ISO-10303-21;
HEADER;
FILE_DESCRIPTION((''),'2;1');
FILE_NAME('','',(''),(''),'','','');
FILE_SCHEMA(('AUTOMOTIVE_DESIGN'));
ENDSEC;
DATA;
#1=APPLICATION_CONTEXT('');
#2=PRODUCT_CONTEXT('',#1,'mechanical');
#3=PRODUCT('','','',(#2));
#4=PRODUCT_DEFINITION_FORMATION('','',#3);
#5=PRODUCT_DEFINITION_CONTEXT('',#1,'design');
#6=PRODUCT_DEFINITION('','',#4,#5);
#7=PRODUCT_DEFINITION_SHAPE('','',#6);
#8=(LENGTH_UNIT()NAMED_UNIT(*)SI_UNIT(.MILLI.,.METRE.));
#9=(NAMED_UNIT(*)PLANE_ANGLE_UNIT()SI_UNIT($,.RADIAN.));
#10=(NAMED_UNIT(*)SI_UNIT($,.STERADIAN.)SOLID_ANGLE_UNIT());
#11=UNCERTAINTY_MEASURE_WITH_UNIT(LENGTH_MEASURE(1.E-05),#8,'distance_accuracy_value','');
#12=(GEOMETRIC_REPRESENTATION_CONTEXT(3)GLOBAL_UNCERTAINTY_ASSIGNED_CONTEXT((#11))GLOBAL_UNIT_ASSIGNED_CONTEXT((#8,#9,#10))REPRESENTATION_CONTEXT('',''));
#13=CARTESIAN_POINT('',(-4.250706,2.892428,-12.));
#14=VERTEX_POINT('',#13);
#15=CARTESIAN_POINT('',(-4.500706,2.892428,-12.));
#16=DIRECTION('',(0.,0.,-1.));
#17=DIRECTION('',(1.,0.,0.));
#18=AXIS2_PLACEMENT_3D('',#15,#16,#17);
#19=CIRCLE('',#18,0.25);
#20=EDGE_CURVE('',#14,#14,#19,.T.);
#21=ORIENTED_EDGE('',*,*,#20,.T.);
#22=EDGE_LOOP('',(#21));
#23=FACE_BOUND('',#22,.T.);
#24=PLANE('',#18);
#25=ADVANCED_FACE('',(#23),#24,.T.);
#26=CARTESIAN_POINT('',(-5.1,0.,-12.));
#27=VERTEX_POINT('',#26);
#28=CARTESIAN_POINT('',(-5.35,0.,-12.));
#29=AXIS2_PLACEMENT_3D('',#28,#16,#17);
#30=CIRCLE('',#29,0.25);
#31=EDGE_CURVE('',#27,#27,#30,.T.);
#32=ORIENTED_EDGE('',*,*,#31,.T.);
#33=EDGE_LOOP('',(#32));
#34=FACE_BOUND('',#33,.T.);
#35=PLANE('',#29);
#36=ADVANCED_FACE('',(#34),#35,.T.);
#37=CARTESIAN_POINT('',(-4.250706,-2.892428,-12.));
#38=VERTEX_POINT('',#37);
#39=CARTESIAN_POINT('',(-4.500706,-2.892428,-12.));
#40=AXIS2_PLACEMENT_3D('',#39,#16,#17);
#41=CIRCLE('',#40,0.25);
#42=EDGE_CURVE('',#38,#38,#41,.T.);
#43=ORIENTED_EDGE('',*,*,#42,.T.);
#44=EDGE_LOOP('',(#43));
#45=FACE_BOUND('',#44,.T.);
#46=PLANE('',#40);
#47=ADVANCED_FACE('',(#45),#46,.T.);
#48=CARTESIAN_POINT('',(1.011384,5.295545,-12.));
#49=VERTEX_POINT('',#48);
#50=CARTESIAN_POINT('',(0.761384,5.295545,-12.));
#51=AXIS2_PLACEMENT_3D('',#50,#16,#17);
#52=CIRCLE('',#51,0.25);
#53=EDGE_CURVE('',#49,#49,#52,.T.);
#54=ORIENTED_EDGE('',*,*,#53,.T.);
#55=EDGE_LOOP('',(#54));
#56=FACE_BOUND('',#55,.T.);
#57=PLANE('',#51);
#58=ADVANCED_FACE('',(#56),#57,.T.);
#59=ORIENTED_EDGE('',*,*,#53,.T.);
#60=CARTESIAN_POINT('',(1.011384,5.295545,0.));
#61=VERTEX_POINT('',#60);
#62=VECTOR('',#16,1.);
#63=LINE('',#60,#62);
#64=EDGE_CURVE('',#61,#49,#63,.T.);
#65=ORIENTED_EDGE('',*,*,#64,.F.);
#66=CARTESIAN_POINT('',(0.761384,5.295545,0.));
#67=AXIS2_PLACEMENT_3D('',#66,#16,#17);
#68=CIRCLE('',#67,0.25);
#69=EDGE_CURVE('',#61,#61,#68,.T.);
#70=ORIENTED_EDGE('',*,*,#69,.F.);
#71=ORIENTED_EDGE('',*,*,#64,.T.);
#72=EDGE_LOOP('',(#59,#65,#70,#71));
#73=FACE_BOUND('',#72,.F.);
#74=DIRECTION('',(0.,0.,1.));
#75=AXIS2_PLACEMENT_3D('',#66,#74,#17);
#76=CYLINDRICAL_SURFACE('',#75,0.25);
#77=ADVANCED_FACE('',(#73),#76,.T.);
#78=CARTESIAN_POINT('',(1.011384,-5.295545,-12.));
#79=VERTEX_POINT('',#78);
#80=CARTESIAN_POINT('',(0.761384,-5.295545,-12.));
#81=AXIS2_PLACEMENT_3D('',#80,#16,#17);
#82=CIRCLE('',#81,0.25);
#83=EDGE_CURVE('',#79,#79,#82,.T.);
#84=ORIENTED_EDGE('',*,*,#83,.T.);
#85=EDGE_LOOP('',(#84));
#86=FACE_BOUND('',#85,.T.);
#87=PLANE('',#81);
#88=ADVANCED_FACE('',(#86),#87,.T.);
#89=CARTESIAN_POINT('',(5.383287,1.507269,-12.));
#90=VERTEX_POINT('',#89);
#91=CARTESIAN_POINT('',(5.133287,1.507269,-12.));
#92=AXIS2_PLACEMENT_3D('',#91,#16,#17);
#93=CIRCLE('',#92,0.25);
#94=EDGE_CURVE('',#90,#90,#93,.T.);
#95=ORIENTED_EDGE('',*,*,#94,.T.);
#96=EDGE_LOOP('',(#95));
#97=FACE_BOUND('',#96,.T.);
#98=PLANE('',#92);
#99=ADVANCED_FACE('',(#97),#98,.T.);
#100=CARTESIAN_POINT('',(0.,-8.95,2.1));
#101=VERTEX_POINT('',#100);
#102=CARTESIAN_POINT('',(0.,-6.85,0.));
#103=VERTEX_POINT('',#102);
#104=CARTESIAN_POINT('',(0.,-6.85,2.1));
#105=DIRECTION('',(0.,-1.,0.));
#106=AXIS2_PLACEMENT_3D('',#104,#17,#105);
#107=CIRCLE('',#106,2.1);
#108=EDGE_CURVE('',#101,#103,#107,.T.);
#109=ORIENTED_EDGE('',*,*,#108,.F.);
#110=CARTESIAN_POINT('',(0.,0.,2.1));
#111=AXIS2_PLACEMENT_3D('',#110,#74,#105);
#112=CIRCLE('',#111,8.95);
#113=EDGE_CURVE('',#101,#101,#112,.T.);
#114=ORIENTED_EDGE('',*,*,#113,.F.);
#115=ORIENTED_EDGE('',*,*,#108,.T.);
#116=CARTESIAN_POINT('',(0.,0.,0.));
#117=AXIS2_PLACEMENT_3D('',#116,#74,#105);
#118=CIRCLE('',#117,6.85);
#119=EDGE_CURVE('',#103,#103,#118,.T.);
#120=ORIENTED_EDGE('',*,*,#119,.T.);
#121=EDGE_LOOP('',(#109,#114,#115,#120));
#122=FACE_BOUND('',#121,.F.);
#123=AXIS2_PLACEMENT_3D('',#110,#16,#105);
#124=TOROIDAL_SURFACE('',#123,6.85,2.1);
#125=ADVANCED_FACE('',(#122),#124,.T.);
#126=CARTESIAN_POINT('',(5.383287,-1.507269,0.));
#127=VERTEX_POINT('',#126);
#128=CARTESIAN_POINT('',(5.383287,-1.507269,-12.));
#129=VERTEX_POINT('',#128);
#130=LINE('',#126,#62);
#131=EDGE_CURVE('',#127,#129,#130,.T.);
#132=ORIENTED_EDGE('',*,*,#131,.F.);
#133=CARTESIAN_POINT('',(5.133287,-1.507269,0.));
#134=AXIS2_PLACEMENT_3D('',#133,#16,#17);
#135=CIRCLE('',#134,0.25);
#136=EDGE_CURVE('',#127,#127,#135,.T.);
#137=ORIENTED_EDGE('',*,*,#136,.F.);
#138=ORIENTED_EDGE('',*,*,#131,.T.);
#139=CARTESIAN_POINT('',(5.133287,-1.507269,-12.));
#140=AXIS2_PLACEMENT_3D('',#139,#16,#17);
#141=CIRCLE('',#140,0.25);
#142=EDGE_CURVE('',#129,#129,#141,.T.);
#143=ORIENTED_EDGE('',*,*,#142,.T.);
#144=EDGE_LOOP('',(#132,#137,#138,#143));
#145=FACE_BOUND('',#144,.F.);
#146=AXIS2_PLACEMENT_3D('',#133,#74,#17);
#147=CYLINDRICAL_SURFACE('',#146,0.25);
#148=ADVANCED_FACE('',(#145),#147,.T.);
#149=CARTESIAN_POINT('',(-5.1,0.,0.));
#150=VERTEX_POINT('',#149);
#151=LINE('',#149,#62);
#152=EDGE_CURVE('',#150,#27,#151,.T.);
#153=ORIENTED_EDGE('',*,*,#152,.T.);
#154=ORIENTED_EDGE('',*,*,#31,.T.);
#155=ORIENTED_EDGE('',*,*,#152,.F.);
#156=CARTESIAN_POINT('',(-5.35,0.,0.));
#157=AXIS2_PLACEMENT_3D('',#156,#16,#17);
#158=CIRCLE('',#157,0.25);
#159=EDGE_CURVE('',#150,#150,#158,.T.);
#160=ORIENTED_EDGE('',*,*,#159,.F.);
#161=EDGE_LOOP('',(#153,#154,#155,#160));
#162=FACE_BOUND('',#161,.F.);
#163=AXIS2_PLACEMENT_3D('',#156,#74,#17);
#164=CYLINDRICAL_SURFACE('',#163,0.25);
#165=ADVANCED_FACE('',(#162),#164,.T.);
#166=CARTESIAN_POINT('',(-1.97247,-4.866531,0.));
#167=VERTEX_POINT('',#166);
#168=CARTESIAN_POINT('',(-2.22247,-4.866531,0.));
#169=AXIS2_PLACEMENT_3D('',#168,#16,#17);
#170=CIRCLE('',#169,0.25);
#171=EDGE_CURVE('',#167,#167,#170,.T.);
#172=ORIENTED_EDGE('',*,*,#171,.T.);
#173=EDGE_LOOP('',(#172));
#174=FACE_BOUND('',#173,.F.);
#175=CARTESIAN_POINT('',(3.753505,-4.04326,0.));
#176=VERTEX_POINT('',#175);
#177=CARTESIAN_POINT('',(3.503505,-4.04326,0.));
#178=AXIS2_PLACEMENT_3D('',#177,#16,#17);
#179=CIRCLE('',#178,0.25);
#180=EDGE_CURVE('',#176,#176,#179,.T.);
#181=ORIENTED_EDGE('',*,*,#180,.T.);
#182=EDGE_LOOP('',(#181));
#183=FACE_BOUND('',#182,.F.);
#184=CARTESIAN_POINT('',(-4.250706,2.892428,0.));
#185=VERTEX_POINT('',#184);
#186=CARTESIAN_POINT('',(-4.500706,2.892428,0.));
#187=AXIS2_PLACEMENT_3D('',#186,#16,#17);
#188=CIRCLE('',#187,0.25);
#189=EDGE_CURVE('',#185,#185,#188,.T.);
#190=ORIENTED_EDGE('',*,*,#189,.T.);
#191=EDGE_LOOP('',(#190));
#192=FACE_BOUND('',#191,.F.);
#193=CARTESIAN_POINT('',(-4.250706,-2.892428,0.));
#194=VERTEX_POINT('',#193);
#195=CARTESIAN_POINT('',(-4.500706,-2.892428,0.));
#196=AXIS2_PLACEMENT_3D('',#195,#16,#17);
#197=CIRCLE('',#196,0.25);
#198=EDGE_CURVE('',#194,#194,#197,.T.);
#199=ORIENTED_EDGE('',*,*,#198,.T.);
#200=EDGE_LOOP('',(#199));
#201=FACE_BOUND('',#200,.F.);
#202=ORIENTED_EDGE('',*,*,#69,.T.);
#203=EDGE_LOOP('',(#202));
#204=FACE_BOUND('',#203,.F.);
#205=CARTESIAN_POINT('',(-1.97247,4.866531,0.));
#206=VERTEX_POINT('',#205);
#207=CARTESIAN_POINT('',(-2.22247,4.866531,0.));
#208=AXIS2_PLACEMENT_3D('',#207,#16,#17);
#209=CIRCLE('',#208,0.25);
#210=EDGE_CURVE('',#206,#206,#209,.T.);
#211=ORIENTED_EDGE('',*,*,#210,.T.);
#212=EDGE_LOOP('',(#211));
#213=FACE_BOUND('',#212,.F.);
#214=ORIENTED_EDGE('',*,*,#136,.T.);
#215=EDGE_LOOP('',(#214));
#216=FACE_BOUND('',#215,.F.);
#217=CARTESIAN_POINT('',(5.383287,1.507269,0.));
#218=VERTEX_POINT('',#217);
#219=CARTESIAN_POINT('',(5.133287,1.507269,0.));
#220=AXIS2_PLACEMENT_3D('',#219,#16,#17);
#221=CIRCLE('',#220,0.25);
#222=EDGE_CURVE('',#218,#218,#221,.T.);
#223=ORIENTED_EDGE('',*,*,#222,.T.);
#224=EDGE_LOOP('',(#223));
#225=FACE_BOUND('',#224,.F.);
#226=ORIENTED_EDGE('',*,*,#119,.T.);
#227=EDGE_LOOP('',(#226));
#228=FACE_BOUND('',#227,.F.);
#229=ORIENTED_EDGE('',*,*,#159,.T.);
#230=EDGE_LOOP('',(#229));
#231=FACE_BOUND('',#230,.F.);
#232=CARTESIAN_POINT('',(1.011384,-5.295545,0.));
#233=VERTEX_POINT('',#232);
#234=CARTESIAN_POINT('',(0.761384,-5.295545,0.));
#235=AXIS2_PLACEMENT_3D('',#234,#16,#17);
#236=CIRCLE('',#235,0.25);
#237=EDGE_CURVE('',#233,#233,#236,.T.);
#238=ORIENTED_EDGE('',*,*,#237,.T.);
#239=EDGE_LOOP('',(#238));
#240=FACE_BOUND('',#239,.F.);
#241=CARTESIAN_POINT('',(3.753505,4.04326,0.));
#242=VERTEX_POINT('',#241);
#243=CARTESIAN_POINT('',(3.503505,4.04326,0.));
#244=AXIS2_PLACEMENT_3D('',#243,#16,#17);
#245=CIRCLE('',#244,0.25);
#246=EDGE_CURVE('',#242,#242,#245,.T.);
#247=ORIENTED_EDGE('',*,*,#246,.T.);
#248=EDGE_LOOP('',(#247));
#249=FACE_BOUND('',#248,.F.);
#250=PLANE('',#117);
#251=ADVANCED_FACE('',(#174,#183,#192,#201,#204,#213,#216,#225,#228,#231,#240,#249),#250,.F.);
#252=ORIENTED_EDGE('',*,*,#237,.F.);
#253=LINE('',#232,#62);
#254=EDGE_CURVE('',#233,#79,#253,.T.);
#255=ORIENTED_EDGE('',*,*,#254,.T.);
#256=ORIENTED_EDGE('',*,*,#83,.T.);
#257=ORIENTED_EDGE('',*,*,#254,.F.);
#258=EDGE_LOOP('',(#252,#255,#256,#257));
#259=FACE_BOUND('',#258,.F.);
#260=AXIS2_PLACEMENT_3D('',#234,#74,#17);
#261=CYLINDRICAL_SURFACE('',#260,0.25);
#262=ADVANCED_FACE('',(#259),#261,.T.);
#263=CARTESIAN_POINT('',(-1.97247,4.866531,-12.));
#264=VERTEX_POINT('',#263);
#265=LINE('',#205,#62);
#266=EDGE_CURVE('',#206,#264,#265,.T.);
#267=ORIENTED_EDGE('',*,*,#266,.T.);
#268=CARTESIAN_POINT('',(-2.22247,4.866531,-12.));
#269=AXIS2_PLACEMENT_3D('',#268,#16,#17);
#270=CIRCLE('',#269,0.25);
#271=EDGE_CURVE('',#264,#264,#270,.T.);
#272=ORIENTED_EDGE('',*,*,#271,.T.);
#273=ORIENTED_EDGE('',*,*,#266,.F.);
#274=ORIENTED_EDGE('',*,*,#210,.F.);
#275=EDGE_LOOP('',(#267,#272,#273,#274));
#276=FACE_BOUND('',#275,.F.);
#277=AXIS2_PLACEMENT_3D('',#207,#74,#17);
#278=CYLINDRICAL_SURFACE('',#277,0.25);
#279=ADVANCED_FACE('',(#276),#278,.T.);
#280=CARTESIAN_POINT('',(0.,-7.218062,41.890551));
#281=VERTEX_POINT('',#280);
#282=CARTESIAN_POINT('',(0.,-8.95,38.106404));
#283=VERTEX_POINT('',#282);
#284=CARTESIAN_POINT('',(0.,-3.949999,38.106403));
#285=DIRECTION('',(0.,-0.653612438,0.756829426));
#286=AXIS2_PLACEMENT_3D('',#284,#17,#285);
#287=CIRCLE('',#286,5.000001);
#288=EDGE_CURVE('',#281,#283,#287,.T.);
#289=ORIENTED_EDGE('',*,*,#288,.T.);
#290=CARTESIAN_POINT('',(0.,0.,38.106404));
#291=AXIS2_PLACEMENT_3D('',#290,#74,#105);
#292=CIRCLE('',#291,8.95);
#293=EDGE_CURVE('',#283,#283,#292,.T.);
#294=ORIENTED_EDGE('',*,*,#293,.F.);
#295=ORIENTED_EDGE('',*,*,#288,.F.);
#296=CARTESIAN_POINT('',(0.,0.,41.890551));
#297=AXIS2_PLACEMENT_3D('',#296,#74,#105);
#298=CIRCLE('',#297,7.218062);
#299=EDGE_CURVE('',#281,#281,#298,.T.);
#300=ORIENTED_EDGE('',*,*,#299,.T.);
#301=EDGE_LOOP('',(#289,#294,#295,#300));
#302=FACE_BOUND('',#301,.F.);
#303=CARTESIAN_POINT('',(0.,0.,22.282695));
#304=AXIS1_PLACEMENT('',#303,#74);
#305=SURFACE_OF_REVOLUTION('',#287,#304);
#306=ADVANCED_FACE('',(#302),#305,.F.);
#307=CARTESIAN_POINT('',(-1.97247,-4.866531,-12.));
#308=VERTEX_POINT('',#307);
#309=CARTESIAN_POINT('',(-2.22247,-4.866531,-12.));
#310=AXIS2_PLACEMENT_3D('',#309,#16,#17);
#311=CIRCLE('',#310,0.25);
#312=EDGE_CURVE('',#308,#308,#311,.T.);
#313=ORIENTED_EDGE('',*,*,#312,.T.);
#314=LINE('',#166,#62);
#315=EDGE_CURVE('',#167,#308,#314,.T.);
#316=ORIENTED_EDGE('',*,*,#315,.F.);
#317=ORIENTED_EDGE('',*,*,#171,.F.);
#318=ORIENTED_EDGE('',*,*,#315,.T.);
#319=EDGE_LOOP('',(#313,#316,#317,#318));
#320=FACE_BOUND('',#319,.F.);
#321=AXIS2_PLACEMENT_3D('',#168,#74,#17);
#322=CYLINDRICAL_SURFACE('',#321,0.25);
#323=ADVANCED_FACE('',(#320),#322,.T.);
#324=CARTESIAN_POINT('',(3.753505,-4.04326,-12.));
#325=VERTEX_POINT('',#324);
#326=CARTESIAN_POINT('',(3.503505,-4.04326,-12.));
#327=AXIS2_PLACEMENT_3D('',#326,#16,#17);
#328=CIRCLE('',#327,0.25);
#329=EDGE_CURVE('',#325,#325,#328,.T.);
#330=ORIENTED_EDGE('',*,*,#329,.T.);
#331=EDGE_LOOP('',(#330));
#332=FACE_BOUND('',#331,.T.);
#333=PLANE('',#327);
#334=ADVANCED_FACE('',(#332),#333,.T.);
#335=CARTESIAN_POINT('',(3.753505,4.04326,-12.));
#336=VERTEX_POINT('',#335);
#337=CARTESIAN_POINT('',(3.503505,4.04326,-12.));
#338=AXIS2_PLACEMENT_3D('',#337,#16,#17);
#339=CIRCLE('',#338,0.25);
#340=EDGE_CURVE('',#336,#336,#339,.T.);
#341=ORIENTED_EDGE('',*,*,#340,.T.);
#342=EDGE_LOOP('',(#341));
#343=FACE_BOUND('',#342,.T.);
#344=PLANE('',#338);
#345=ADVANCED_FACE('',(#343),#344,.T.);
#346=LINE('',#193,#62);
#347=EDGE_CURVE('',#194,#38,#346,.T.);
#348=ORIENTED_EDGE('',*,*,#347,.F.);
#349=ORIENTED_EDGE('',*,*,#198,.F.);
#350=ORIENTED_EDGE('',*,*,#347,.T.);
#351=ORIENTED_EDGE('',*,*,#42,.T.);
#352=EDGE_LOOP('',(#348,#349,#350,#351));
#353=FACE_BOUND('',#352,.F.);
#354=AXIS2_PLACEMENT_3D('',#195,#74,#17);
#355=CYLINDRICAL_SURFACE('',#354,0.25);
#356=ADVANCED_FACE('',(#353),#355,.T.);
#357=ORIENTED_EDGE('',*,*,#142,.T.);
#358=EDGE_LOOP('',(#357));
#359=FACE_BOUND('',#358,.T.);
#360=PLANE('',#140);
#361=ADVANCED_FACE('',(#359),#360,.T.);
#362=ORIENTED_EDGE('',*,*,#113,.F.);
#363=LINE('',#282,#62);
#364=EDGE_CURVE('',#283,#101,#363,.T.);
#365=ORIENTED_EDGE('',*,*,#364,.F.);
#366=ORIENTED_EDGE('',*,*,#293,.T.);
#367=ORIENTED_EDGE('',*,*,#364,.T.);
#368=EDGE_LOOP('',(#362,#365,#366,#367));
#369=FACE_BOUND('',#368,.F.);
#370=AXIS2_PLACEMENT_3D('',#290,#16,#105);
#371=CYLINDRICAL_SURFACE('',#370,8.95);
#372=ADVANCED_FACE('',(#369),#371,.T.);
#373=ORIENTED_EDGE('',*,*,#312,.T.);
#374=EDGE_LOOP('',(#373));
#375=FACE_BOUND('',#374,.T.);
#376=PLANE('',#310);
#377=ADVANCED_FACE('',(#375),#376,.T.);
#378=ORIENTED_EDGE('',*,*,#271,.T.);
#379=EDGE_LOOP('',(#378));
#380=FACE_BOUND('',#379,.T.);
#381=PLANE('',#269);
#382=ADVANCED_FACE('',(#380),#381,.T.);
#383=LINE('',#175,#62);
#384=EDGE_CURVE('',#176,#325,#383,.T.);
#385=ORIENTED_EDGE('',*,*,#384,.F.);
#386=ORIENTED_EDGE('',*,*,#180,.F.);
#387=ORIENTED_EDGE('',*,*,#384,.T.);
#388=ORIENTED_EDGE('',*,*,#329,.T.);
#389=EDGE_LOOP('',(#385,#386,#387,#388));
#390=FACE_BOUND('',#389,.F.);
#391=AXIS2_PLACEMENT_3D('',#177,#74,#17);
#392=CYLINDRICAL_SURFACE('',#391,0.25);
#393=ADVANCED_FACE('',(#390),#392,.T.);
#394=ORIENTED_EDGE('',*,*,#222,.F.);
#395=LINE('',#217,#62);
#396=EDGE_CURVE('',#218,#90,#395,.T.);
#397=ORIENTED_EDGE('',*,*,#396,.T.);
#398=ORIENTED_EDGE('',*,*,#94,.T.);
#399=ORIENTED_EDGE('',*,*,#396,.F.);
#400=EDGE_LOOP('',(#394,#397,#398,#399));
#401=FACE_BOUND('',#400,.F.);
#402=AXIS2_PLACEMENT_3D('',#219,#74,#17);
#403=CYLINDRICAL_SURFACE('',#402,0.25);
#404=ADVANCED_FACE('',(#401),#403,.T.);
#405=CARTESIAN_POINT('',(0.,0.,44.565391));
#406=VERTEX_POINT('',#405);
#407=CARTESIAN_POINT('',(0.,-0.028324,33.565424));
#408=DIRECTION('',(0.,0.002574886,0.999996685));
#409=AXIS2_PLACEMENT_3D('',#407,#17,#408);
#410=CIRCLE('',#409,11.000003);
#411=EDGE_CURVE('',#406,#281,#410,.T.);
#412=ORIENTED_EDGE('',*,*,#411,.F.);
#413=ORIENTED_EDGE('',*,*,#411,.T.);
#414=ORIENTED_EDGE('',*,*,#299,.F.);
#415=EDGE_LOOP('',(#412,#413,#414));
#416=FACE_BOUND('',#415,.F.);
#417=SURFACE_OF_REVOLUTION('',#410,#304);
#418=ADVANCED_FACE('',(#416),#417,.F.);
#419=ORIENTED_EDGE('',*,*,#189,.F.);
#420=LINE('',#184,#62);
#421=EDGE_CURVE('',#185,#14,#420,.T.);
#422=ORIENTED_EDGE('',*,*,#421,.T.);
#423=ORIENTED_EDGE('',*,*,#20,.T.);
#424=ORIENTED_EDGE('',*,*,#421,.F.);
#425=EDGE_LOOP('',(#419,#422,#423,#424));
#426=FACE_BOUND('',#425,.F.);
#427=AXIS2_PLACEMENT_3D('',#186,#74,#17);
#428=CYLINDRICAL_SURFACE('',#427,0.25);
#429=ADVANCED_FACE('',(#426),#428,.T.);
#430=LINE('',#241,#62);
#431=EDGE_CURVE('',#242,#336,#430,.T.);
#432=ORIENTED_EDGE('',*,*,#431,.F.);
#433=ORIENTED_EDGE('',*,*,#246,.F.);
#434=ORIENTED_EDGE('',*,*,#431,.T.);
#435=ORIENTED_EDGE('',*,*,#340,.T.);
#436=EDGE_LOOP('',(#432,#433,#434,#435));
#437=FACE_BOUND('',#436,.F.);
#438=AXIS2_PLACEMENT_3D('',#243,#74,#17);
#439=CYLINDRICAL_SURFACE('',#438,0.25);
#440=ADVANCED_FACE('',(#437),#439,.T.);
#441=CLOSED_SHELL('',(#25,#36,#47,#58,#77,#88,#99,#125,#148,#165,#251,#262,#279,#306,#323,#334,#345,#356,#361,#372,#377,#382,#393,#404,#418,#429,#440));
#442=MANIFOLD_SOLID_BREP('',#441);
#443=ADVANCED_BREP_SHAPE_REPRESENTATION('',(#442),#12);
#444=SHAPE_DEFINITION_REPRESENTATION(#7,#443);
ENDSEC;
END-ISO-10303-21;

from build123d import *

# Parameters (mm, degrees)
F2_R     = 2.1
F3_R     = 0.25
F4_DEPTH = 12


with BuildPart() as f1:
    # F0 (on Right) → F1 (revolve)
    with BuildSketch(Plane.YZ):
        with BuildLine():
            Line((-8.95, 38.106404), (-8.95, 0))
            Line((-8.95, 0), (0, 0))
            Line((0, 0), (0, 44.565391))
            ThreePointArc((0, 44.565391), (-3.850647, 43.879973), (-7.218062, 41.890551))
            ThreePointArc((-7.218062, 41.890551), (-8.496444, 40.187232), (-8.95, 38.106404))
        make_face()
    revolve(axis=Axis((0, 0, 22.282695), (0, 0, 1)))

    # F2
    f2_edges = [f1.edges().sort_by_distance(p)[0] for p in [
        (0, 8.95, 0),
    ]]
    fillet(f2_edges, radius=F2_R)

    # F3 (on face) → F4 (join)
    with BuildSketch(Plane(origin=(0, 0, 0), x_dir=(1, 0, 0), z_dir=(0, 0, -1))):
        with Locations((-5.35, 0)):
            Circle(F3_R)
        with Locations((-4.500706, -2.892428)):
            Circle(F3_R)
        with Locations((-2.22247, -4.866531)):
            Circle(F3_R)
        with Locations((0.761384, -5.295545)):
            Circle(F3_R)
        with Locations((3.503505, -4.04326)):
            Circle(F3_R)
        with Locations((5.133287, -1.507269)):
            Circle(F3_R)
        with Locations((5.133287, 1.507269)):
            Circle(F3_R)
        with Locations((3.503505, 4.04326)):
            Circle(F3_R)
        with Locations((0.761384, 5.295545)):
            Circle(F3_R)
        with Locations((-2.22247, 4.866531)):
            Circle(F3_R)
        with Locations((-4.500706, 2.892428)):
            Circle(F3_R)
    extrude(amount=F4_DEPTH)


solid = f1.part
